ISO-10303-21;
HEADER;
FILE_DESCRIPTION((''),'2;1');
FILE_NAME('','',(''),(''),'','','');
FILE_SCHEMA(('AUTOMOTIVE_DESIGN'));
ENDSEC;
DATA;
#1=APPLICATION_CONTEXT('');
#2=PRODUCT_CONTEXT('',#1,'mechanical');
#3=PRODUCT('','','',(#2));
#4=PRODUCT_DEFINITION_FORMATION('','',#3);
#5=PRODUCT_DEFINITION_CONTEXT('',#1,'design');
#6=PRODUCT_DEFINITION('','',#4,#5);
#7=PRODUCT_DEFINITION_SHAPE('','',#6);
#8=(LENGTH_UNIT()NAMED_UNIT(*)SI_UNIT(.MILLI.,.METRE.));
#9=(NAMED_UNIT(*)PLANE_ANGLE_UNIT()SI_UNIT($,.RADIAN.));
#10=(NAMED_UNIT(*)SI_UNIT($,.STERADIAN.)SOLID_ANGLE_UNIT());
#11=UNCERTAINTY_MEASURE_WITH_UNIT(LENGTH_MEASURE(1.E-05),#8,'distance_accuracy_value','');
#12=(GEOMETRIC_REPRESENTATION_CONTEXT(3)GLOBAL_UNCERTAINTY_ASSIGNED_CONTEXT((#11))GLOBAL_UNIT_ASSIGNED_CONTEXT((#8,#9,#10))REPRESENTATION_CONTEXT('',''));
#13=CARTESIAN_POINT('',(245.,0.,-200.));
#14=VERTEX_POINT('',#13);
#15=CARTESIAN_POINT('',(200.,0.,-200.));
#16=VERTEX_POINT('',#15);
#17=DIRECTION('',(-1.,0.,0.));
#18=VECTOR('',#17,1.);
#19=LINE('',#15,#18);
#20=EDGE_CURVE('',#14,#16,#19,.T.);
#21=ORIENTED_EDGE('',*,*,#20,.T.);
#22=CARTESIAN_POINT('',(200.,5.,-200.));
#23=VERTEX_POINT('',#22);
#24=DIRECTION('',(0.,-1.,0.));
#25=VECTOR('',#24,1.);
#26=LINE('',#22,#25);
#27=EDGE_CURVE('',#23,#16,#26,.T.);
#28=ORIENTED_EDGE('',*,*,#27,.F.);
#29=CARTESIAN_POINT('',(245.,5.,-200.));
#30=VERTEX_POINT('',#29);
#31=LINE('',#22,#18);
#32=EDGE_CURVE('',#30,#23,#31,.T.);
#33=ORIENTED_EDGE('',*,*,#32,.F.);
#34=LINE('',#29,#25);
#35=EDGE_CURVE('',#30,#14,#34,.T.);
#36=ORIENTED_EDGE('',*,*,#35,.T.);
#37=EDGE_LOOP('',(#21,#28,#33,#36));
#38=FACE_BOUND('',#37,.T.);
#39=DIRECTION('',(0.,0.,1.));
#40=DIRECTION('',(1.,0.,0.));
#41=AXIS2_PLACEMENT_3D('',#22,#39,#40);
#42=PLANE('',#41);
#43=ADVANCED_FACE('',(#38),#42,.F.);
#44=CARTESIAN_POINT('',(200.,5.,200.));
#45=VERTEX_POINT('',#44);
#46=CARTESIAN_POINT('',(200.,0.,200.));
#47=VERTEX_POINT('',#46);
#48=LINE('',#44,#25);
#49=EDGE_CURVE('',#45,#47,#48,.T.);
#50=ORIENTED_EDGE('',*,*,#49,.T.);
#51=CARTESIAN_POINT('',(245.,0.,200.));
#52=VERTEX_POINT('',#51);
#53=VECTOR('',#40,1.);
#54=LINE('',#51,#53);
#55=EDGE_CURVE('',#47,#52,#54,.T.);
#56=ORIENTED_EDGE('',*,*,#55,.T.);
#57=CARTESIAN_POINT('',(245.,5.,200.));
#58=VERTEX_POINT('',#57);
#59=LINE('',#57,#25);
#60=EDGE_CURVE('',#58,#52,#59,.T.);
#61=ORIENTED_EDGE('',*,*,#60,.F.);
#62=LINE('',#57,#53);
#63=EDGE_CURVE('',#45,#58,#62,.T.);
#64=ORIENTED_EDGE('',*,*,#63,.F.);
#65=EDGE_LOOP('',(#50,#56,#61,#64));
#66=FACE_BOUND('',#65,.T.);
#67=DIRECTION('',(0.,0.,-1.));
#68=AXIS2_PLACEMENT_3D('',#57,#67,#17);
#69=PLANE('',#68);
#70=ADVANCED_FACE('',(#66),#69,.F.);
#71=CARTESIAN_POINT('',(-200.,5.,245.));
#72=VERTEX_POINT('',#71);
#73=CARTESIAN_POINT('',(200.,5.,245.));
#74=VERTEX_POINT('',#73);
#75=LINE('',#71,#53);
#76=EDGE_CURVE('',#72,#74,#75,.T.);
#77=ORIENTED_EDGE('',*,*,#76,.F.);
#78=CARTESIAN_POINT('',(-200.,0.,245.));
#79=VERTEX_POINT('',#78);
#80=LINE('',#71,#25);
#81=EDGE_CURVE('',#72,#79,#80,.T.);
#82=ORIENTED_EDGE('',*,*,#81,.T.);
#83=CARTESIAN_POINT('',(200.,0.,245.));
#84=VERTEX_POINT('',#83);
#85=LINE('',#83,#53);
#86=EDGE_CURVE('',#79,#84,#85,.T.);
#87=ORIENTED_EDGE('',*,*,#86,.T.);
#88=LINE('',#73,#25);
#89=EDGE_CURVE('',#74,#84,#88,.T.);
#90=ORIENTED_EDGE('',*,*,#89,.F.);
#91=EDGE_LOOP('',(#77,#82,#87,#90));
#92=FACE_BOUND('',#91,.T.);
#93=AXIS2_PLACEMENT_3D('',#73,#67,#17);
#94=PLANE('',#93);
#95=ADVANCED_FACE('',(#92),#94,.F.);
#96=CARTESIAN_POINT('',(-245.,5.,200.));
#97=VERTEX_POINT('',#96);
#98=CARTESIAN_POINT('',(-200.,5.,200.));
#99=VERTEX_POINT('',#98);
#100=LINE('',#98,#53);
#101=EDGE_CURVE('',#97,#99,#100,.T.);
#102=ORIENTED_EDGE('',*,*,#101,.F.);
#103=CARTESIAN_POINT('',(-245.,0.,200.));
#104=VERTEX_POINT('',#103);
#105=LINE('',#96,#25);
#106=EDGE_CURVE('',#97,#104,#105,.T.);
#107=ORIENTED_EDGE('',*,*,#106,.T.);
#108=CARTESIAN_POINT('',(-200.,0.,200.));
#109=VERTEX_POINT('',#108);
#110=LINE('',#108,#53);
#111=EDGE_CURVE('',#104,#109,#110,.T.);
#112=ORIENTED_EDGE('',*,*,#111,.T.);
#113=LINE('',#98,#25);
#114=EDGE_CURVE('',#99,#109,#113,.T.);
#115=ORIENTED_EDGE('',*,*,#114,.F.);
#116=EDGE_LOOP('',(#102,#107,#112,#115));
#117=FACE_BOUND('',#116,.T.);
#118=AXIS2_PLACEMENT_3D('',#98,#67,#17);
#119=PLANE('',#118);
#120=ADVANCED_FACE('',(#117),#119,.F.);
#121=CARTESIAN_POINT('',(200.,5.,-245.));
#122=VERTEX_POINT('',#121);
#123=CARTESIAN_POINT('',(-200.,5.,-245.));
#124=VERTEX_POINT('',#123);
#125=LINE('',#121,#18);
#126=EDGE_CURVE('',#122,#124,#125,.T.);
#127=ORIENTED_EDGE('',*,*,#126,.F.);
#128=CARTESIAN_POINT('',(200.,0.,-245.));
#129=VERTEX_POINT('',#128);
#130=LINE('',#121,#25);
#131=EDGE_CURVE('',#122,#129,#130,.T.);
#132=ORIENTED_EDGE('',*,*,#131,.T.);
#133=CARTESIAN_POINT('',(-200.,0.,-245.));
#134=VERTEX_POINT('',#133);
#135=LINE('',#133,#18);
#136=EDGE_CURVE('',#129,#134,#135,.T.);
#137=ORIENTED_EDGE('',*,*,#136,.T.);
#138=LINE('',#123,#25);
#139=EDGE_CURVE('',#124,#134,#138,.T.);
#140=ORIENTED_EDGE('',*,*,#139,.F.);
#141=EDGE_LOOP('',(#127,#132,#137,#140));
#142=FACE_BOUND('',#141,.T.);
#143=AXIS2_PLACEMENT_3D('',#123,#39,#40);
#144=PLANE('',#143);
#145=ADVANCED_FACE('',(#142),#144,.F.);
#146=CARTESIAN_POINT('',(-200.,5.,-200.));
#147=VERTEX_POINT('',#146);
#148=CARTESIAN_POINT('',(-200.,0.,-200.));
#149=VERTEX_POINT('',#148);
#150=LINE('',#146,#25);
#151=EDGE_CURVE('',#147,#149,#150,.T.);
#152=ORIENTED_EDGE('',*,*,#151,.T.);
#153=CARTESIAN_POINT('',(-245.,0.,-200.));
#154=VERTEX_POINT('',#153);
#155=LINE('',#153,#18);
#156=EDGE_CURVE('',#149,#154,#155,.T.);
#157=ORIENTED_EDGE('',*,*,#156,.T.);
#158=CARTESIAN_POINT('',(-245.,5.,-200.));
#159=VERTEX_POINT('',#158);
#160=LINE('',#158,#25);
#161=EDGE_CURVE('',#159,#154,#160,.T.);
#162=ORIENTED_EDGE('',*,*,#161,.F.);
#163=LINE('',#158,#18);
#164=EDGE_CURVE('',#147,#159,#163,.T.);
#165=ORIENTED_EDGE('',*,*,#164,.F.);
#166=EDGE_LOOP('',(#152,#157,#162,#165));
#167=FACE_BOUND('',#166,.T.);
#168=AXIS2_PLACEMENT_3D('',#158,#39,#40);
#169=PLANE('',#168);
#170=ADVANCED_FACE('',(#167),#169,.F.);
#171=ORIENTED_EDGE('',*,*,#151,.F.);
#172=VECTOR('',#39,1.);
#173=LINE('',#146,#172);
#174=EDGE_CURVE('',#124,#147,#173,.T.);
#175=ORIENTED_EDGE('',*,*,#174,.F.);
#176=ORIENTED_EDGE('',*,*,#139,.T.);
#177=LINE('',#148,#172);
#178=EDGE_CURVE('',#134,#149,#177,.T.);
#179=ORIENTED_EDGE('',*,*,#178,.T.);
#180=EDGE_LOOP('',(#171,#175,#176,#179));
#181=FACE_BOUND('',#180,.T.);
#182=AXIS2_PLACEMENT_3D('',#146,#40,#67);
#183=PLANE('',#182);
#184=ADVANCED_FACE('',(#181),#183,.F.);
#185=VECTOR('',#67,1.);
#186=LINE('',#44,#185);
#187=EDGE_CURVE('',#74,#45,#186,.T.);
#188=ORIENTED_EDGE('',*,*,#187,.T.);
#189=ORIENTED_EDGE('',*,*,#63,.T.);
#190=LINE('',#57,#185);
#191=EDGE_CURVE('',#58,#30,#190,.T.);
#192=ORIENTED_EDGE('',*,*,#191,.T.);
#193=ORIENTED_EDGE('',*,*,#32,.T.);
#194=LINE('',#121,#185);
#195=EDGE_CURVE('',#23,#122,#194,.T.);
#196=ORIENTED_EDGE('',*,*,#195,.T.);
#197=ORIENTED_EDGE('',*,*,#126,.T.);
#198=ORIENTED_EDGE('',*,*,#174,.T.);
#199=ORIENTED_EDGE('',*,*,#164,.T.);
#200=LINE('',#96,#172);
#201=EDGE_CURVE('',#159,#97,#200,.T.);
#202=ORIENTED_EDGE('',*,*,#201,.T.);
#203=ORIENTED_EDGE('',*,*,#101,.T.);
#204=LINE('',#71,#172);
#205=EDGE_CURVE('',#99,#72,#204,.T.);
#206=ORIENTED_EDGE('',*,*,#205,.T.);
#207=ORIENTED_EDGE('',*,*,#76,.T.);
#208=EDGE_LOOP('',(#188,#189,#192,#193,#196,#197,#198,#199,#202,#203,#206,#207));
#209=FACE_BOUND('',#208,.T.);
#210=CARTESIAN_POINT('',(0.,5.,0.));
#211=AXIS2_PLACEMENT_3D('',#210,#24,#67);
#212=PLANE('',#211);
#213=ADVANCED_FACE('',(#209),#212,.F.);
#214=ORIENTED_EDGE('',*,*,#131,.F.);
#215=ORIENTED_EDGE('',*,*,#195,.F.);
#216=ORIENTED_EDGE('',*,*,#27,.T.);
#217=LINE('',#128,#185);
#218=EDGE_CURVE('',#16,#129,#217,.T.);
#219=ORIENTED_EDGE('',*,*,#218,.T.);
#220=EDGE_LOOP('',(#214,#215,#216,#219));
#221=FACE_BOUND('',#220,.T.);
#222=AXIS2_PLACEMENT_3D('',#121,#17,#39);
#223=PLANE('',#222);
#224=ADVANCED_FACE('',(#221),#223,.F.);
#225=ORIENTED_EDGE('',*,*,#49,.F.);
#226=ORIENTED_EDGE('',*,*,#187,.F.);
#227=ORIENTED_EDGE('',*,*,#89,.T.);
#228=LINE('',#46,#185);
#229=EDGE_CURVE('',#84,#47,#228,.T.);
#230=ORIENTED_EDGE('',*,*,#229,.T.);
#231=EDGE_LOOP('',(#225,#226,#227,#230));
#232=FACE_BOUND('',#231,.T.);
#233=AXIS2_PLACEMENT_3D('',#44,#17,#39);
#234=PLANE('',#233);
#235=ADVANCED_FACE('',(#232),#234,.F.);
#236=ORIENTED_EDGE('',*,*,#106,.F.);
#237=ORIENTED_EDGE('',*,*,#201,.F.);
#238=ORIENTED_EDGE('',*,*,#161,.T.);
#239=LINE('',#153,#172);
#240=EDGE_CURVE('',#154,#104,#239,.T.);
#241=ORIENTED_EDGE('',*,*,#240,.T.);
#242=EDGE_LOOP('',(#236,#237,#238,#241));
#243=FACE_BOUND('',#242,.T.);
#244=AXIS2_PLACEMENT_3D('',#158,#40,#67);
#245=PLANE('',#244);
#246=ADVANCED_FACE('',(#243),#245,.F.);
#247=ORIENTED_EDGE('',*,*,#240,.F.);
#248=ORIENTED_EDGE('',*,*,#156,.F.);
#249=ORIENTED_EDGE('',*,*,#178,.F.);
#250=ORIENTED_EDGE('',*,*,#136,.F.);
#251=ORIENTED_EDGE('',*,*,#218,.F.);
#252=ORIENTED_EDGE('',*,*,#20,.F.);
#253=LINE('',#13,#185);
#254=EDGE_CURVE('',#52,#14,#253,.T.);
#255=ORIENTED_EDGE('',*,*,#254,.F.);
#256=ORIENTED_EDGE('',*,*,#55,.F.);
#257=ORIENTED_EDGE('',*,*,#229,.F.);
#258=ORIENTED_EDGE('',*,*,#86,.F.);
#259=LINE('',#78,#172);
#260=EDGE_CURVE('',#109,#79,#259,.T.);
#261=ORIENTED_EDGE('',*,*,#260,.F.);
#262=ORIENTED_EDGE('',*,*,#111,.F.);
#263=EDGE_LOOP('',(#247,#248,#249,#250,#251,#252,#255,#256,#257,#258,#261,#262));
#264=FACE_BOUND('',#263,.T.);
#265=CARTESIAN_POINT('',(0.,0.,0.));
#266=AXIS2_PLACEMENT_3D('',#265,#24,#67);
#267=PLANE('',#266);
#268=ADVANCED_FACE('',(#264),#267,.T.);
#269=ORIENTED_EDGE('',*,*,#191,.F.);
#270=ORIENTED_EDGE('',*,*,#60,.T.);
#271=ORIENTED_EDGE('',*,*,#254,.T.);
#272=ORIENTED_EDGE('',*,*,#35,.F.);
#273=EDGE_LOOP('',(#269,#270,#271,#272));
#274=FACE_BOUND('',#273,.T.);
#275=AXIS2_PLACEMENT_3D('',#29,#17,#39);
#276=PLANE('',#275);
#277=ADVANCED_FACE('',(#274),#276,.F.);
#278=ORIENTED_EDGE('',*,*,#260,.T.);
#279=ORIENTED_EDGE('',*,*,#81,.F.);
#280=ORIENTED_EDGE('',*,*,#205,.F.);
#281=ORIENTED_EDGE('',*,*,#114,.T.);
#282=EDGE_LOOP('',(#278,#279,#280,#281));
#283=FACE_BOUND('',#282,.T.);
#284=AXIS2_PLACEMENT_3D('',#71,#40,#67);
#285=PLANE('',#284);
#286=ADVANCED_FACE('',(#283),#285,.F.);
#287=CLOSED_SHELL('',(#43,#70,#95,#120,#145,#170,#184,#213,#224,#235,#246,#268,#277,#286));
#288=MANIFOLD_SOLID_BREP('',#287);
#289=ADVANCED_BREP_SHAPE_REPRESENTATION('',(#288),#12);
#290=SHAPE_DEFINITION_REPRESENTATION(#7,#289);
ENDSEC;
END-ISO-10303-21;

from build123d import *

# Parameters (mm, degrees)
BOSS_EXTRU_1_DEPTH = 5


with BuildPart() as part:
    # Esquisse1 → Boss.-Extru.1 (new body)
    with BuildSketch(Plane(origin=(0, 0, 0), x_dir=(1, 0, 0), z_dir=(0, 1, 0))):
        Polygon((-245, 200), (-200, 200), (-200, 245), (0, 245), (200, 245), (200, 200), (245, 200), (245, 0), (245, -200), (200, -200), (200, -245), (0, -245), (-200, -245), (-200, -200), (-245, -200), (-245, 0), align=None)
    extrude(amount=BOSS_EXTRU_1_DEPTH)


solid = part.part
